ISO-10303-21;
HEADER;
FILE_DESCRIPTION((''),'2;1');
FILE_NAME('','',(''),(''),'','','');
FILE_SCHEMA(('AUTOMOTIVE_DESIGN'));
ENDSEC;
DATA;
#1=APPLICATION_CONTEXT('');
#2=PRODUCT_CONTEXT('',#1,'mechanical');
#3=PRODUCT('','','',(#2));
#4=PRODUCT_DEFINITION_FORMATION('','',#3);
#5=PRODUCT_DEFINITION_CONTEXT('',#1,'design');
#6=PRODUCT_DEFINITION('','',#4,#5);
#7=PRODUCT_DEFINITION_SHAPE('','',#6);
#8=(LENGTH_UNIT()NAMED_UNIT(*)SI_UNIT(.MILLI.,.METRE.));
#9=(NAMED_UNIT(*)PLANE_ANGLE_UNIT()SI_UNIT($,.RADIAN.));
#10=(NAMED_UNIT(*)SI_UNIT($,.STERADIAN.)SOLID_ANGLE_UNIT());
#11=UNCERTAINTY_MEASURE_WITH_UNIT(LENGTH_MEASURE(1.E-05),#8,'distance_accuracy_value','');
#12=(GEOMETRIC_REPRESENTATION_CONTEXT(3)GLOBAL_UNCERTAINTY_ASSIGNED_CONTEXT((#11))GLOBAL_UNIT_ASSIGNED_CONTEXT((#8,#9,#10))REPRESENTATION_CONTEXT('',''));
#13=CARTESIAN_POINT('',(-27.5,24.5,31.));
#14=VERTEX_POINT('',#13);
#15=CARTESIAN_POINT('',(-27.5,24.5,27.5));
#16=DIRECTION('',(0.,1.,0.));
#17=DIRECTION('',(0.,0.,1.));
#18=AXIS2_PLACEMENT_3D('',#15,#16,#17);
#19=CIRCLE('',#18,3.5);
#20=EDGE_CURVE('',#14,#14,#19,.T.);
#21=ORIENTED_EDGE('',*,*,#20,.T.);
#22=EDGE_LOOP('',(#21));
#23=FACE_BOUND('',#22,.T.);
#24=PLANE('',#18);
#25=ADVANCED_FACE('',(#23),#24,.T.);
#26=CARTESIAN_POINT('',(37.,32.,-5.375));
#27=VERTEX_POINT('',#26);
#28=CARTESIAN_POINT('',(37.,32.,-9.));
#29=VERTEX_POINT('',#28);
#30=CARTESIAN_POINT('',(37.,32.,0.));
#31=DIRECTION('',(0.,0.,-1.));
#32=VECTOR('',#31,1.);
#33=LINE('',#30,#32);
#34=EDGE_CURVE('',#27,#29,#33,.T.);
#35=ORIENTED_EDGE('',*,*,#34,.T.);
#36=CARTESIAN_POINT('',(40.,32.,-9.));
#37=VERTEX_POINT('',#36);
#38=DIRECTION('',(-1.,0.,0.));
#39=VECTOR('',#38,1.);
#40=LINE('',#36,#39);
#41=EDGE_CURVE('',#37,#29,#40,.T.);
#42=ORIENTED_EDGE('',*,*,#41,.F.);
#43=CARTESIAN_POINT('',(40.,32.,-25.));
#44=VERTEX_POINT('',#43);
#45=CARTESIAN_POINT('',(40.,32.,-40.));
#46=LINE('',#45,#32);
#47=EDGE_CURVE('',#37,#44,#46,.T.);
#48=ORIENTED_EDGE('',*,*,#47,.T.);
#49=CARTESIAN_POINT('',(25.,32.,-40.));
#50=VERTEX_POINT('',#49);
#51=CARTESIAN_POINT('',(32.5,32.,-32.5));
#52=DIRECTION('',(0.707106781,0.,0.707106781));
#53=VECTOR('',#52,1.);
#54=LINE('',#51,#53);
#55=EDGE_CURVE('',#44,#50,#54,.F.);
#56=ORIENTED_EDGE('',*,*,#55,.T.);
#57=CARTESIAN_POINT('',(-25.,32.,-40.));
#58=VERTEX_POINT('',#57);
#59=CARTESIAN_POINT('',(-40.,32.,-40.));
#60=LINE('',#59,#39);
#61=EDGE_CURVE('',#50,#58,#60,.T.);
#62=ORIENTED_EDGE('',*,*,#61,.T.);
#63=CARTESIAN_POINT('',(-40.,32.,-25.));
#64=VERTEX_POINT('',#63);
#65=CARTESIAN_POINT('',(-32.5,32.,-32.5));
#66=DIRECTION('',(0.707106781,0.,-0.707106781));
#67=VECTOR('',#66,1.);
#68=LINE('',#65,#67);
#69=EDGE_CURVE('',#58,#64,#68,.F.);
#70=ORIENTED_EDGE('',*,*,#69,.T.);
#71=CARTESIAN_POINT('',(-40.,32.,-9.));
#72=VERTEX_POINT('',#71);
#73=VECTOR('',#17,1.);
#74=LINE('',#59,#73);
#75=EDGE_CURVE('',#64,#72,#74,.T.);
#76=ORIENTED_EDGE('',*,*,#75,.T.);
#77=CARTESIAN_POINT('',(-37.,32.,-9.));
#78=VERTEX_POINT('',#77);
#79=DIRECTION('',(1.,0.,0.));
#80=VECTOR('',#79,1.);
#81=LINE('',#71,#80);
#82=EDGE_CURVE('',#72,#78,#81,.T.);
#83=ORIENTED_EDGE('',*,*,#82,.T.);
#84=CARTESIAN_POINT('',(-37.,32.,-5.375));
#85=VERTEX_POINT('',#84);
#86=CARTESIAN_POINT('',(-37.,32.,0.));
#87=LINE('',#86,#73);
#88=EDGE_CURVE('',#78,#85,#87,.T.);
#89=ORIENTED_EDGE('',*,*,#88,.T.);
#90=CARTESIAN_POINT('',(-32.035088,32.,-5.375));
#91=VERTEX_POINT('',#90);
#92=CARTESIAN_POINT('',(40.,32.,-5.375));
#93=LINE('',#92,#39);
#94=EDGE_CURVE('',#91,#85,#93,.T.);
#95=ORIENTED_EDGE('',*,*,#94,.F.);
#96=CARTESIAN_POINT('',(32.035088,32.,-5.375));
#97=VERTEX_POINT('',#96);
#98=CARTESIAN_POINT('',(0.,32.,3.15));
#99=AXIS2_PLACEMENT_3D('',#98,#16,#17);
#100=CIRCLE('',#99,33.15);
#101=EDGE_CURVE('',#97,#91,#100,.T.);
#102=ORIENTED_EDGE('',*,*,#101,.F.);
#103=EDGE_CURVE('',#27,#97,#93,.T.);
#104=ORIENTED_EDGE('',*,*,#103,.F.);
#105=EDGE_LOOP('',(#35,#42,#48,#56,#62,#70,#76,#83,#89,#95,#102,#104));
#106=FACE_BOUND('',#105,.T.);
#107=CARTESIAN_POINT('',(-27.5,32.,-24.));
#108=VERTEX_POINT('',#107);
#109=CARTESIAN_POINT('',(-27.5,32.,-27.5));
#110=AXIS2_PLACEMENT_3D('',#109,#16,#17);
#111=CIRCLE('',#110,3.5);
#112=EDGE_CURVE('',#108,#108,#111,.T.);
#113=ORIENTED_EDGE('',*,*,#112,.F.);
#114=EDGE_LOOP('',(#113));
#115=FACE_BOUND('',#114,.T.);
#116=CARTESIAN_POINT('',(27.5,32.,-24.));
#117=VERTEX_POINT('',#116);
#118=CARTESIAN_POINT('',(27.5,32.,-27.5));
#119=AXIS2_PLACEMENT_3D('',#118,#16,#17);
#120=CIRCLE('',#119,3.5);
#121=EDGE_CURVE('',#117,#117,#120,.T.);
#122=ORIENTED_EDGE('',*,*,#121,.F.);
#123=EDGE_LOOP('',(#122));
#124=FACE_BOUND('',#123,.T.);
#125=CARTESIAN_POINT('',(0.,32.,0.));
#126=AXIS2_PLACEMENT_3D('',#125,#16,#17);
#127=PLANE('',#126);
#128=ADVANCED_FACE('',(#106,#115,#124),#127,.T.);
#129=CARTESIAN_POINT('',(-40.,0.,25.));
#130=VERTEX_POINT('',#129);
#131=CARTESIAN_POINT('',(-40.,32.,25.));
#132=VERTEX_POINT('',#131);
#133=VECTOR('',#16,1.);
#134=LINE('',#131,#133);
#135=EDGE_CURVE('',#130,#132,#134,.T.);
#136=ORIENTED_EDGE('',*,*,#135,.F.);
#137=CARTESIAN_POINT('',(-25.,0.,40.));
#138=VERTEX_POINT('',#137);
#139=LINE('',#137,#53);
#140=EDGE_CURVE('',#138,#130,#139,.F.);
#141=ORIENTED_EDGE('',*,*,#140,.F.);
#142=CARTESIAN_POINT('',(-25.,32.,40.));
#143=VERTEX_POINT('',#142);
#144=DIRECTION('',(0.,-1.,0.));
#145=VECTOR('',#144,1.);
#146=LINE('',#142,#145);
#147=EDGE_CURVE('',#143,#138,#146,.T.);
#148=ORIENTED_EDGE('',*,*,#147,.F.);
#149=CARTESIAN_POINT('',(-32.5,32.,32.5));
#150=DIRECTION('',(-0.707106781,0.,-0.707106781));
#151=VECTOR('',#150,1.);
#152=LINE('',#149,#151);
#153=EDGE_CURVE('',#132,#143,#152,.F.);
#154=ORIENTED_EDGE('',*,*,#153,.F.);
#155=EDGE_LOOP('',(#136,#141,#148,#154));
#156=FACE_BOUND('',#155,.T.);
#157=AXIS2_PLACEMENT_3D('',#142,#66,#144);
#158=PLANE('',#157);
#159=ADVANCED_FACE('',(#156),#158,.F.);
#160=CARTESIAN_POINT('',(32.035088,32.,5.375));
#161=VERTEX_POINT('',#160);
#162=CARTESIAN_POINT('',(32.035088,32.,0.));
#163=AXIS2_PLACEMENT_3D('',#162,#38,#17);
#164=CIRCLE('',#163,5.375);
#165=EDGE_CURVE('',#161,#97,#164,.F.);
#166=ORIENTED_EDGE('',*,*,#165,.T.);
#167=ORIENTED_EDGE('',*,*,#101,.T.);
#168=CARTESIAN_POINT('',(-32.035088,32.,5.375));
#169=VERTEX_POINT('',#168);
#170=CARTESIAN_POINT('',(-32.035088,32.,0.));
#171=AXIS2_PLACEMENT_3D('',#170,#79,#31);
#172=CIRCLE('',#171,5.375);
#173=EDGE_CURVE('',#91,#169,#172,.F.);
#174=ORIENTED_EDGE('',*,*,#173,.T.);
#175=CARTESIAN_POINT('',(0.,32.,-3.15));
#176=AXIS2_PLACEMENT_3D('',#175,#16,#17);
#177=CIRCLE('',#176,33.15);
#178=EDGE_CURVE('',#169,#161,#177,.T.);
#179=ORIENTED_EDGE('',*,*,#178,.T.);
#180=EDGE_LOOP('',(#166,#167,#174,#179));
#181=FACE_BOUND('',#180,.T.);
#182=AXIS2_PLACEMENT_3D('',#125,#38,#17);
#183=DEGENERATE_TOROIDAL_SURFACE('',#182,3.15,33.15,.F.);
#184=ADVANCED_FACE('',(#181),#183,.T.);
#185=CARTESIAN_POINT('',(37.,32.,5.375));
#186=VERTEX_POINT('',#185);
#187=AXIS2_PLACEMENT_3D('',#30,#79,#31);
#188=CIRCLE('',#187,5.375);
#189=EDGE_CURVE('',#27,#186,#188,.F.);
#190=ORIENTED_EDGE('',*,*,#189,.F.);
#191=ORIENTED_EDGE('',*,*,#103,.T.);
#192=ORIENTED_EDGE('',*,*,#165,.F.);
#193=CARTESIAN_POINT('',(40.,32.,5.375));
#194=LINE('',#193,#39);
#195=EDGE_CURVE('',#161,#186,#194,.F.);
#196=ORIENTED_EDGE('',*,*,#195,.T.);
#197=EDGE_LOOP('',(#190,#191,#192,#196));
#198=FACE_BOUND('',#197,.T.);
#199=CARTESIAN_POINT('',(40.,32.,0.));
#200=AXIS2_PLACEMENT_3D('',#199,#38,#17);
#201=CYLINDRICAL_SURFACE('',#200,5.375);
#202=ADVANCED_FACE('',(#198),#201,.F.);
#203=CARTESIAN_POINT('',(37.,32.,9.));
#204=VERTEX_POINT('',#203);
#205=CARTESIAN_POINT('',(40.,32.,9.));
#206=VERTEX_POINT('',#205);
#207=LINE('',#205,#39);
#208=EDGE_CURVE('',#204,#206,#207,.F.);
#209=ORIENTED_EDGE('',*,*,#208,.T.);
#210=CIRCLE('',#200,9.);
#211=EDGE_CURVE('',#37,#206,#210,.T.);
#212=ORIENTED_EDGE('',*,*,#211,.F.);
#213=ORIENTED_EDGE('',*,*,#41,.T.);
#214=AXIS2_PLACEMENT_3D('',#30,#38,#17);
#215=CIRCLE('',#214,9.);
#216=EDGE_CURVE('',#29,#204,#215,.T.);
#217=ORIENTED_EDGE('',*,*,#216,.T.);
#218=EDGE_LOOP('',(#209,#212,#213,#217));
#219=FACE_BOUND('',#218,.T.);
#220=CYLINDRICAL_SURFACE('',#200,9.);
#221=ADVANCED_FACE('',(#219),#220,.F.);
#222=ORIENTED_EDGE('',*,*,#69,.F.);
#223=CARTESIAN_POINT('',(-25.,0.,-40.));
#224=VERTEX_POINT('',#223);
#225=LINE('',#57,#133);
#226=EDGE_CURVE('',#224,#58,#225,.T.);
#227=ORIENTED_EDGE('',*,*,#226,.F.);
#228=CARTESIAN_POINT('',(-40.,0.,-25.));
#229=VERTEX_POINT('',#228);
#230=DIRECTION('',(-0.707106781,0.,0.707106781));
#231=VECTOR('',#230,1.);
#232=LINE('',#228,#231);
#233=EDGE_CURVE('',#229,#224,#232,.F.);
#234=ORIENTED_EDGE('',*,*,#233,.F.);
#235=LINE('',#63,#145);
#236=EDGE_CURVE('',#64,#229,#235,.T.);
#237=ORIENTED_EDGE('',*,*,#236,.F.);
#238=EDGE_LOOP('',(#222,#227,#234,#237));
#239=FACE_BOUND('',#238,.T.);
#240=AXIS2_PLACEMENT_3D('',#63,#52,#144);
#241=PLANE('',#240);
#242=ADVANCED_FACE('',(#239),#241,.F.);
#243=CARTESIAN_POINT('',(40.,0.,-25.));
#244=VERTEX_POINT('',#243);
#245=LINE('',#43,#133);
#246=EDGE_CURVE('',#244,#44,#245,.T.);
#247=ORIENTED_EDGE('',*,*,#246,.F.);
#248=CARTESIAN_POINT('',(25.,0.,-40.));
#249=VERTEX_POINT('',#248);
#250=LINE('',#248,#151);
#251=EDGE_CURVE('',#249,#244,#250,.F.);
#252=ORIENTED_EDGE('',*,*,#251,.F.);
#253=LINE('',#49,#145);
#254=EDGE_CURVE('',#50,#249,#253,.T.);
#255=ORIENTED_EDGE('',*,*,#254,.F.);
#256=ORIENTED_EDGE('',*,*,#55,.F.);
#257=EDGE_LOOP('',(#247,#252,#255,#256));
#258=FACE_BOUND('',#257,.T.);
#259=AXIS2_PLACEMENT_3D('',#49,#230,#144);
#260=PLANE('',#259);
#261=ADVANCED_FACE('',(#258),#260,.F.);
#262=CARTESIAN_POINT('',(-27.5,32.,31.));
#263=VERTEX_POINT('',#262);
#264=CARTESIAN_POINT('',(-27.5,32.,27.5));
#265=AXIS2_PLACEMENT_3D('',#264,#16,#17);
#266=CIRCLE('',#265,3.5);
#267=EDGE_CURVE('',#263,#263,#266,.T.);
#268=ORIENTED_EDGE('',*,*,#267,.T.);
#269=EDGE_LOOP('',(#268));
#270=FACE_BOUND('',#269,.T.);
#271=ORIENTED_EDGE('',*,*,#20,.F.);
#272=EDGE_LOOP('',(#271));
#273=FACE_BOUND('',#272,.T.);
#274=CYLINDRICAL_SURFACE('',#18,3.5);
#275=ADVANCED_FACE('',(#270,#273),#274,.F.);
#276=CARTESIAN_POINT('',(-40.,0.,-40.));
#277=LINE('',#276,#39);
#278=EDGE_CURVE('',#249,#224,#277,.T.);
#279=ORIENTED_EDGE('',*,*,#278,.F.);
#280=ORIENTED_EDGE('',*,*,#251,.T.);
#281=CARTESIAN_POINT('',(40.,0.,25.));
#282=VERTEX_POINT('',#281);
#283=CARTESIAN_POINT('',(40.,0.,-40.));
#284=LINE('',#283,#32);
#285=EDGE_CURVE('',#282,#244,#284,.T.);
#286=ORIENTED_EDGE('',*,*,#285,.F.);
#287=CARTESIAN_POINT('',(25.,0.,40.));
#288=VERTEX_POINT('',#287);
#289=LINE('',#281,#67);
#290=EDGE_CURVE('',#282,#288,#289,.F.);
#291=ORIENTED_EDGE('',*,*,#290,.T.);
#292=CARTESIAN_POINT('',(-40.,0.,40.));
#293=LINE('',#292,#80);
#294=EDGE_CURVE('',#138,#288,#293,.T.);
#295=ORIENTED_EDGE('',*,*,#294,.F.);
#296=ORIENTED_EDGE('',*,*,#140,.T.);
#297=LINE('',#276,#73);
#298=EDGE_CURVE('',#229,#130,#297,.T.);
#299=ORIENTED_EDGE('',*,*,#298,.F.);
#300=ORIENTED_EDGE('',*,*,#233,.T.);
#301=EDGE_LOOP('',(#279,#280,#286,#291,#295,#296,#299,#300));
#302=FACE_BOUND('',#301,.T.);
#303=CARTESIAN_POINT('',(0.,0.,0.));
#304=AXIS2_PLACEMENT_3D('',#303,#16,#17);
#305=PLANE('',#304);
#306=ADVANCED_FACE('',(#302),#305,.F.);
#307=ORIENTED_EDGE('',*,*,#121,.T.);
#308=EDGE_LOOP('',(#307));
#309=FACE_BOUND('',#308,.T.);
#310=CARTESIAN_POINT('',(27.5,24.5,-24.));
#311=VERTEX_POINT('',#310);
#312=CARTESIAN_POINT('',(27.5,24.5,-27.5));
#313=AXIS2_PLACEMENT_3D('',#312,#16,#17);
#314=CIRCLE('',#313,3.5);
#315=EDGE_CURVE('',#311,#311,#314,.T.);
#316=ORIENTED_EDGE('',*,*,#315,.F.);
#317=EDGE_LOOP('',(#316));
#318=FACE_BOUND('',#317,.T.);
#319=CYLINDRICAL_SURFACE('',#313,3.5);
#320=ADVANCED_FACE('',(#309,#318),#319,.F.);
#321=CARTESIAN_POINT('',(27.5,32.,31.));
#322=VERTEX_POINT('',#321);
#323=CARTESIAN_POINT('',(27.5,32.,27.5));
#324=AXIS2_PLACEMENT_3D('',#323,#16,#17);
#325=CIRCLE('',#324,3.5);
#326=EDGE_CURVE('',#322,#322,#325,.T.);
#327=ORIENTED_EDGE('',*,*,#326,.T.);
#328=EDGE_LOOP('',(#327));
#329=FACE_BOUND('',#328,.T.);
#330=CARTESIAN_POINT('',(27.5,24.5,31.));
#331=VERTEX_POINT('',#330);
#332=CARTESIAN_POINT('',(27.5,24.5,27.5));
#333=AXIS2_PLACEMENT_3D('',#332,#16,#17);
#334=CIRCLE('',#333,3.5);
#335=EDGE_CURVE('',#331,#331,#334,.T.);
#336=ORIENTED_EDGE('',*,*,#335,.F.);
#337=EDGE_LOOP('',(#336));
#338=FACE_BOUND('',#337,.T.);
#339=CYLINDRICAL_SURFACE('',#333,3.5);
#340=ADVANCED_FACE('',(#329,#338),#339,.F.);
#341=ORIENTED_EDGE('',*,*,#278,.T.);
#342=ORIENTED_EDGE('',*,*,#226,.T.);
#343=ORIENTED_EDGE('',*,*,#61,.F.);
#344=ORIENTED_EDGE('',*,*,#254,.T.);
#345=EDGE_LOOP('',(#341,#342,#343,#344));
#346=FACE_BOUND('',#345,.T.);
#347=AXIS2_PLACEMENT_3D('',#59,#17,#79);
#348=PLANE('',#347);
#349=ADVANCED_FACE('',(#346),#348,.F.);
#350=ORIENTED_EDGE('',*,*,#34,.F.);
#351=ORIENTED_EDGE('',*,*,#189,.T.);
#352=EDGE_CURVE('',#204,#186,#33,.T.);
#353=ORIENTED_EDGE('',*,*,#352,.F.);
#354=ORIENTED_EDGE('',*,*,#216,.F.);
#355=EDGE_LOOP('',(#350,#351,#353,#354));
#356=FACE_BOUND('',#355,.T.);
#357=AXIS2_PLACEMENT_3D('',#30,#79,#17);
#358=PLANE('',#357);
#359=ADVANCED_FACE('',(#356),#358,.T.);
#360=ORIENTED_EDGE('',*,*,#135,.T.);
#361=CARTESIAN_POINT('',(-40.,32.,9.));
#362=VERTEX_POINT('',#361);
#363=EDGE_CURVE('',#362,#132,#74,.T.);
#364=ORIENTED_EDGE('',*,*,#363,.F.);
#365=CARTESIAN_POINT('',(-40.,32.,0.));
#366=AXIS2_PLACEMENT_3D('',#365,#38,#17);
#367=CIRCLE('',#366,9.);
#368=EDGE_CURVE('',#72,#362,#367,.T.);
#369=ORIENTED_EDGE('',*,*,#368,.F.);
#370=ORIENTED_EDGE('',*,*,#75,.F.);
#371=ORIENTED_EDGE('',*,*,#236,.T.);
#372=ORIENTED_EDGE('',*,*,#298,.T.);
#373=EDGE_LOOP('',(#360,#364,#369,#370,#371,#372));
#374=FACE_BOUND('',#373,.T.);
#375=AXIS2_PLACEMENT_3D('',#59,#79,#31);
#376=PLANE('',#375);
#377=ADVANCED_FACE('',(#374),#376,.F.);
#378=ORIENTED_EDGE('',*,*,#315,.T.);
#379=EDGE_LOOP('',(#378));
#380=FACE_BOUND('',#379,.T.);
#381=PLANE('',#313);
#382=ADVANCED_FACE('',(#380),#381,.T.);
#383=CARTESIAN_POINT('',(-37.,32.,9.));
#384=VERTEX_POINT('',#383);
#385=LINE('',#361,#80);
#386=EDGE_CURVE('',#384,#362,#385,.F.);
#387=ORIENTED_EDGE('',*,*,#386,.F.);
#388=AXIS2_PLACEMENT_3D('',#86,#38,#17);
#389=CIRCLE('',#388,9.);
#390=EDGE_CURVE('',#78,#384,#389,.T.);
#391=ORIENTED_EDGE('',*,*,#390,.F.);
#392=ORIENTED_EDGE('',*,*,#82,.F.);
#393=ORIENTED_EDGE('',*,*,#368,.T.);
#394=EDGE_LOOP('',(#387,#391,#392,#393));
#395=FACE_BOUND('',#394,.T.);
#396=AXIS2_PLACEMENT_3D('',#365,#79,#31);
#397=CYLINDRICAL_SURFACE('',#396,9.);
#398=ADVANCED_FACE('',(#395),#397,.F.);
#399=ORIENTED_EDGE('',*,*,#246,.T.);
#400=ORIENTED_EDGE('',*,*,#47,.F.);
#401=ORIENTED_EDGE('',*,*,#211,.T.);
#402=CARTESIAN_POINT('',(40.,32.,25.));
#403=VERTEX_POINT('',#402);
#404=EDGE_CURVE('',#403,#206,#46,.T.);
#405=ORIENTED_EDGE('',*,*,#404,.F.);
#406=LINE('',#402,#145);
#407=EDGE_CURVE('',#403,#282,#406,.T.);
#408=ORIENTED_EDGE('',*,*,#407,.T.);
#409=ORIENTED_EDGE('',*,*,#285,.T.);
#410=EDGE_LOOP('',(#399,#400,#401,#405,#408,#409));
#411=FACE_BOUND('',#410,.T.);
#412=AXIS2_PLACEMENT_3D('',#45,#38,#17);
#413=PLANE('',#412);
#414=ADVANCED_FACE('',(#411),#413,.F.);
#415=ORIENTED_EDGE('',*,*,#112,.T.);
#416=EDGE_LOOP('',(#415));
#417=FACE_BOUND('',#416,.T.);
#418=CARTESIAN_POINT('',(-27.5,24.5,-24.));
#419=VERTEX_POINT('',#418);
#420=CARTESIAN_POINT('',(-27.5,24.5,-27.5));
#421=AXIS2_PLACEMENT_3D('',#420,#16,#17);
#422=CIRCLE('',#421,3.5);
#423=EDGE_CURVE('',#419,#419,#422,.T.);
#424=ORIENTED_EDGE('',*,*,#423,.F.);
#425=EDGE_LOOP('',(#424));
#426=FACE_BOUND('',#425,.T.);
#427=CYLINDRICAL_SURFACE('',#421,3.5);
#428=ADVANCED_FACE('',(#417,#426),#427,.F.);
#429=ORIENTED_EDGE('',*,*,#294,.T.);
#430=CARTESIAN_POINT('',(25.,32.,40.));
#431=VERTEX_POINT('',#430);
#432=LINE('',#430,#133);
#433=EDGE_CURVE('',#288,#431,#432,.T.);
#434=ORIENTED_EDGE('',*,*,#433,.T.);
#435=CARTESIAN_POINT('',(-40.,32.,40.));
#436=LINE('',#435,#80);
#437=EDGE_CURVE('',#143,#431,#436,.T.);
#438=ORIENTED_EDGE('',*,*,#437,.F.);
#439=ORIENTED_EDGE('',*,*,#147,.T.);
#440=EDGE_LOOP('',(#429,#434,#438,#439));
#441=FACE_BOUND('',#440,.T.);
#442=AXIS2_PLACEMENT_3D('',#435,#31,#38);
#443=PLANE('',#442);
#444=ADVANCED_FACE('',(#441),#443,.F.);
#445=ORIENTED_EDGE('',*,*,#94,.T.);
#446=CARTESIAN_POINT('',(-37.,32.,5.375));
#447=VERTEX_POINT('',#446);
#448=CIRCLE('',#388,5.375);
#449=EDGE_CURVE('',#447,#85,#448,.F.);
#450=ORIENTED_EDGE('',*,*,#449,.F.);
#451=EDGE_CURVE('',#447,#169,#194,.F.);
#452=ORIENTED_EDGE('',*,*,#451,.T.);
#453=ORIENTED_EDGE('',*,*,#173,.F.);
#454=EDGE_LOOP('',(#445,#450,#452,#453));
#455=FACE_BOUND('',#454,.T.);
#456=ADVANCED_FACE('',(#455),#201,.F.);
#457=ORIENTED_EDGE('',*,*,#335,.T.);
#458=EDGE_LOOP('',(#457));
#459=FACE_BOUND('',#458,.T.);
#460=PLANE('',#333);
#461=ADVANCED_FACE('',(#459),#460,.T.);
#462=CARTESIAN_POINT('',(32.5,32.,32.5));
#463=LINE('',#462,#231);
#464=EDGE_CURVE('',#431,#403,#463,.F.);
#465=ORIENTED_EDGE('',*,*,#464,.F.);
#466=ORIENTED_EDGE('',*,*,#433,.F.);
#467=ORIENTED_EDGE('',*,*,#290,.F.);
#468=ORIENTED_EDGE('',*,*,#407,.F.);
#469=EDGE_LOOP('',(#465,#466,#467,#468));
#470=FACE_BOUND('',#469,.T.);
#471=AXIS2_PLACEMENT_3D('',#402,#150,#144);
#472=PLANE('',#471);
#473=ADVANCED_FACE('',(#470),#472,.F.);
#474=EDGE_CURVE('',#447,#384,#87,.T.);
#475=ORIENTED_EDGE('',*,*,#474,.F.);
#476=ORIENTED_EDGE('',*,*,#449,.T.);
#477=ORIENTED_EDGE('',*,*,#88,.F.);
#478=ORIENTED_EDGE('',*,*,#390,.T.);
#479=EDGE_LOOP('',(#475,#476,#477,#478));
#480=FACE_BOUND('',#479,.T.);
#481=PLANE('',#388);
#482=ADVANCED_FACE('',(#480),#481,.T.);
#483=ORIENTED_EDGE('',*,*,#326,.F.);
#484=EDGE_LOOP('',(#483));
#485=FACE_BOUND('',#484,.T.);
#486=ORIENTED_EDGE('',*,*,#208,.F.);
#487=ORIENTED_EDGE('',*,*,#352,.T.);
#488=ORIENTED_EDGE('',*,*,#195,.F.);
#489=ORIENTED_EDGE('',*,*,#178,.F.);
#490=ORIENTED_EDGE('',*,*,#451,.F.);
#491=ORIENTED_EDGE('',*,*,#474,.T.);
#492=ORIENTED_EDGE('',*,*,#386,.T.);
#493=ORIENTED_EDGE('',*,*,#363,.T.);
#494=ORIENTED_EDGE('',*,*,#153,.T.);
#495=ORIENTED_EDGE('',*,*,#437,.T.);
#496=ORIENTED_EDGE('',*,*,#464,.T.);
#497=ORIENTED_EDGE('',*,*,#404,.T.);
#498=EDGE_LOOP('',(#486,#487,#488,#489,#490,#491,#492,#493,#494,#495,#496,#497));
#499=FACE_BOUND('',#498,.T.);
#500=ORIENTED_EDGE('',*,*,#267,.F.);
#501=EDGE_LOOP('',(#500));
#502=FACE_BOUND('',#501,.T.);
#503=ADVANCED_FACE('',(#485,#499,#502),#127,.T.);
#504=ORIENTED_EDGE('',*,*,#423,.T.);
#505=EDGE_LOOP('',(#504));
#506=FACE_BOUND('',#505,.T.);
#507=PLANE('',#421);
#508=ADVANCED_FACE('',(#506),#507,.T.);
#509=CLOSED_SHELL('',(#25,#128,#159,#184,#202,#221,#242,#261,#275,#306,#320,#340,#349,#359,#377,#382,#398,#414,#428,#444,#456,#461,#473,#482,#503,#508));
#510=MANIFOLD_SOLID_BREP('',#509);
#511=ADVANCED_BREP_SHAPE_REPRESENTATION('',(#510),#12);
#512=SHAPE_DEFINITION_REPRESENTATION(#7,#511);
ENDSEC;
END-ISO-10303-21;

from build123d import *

# Parameters (mm, degrees)
SKETCH1_W           = 80
SKETCH1_H           = 80
BOSS_EXTRUDE1_DEPTH = 32
SKETCH3_R           = 5.375
CUT_EXTRUDE1_DEPTH  = 95.994736856
CHAMFER1_SIZE       = 15
SKETCH4_R           = 3.5
CUT_EXTRUDE2_DEPTH  = 7.5
SKETCH5_R           = 9
CUT_EXTRUDE3_DEPTH  = 93.482430925


with BuildPart() as part:
    # Sketch1 → Boss-Extrude1 (new body)
    with BuildSketch(Plane(origin=(0, 0, 0), x_dir=(1, 0, 0), z_dir=(0, 1, 0))):
        Rectangle(SKETCH1_W, SKETCH1_H)
    extrude(amount=BOSS_EXTRUDE1_DEPTH)

    # Sketch2 → Cut-Revolve1 (revolve, cut)
    with BuildSketch(Plane(origin=(0, 32, 0), x_dir=(1, 0, 0), z_dir=(0, 1, 0))):
        with BuildLine():
            Line((-33, 0), (33, 0))
            ThreePointArc((33, 0), (0, -30), (-33, 0))
        make_face()
    revolve(axis=Axis((-33, 32, 0), (1, 0, 0)), mode=Mode.SUBTRACT)

    # Sketch3 → Cut-Extrude1 (cut, through all)
    with BuildSketch(Plane.ZY.offset(40)):
        with Locations((0, 32)):
            Circle(SKETCH3_R)
    extrude(amount=-CUT_EXTRUDE1_DEPTH, mode=Mode.SUBTRACT)

    # Chamfer1
    chamfer1_edges = [part.edges().sort_by_distance(p)[0] for p in [
        (40, 16, 40),
        (-40, 16, 40),
        (-40, 16, -40),
        (40, 16, -40),
    ]]
    chamfer(chamfer1_edges, length=CHAMFER1_SIZE)

    # Sketch4 → Cut-Extrude2 (cut)
    with BuildSketch(Plane(origin=(0, 32, 0), x_dir=(1, 0, 0), z_dir=(0, 1, 0))):
        with Locations(Location((-27.5, 27.5, 0), (0, 0, 270))):
            Circle(SKETCH4_R)
        with Locations(Location((27.5, 27.5, 0), (0, 0, 270))):
            Circle(SKETCH4_R)
        with Locations(Location((27.5, -27.5, 0), (0, 0, 270))):
            Circle(SKETCH4_R)
        with Locations(Location((-27.5, -27.5, 0), (0, 0, 270))):
            Circle(SKETCH4_R)
    extrude(amount=-CUT_EXTRUDE2_DEPTH, mode=Mode.SUBTRACT)

    # Sketch5 → Cut-Extrude3 (cut, through all)
    with BuildSketch(Plane.ZY.offset(37)):
        with Locations((0, 32)):
            Circle(SKETCH5_R)
    cut_extrude3 = extrude(amount=CUT_EXTRUDE3_DEPTH, mode=Mode.SUBTRACT)

    # Mirror1: Cut-Extrude3 across plane
    add(cut_extrude3.mirror(Plane(origin=(0, 0, 0), x_dir=(0, 0, 1), z_dir=(1, 0, 0))), mode=Mode.SUBTRACT)


solid = part.part
